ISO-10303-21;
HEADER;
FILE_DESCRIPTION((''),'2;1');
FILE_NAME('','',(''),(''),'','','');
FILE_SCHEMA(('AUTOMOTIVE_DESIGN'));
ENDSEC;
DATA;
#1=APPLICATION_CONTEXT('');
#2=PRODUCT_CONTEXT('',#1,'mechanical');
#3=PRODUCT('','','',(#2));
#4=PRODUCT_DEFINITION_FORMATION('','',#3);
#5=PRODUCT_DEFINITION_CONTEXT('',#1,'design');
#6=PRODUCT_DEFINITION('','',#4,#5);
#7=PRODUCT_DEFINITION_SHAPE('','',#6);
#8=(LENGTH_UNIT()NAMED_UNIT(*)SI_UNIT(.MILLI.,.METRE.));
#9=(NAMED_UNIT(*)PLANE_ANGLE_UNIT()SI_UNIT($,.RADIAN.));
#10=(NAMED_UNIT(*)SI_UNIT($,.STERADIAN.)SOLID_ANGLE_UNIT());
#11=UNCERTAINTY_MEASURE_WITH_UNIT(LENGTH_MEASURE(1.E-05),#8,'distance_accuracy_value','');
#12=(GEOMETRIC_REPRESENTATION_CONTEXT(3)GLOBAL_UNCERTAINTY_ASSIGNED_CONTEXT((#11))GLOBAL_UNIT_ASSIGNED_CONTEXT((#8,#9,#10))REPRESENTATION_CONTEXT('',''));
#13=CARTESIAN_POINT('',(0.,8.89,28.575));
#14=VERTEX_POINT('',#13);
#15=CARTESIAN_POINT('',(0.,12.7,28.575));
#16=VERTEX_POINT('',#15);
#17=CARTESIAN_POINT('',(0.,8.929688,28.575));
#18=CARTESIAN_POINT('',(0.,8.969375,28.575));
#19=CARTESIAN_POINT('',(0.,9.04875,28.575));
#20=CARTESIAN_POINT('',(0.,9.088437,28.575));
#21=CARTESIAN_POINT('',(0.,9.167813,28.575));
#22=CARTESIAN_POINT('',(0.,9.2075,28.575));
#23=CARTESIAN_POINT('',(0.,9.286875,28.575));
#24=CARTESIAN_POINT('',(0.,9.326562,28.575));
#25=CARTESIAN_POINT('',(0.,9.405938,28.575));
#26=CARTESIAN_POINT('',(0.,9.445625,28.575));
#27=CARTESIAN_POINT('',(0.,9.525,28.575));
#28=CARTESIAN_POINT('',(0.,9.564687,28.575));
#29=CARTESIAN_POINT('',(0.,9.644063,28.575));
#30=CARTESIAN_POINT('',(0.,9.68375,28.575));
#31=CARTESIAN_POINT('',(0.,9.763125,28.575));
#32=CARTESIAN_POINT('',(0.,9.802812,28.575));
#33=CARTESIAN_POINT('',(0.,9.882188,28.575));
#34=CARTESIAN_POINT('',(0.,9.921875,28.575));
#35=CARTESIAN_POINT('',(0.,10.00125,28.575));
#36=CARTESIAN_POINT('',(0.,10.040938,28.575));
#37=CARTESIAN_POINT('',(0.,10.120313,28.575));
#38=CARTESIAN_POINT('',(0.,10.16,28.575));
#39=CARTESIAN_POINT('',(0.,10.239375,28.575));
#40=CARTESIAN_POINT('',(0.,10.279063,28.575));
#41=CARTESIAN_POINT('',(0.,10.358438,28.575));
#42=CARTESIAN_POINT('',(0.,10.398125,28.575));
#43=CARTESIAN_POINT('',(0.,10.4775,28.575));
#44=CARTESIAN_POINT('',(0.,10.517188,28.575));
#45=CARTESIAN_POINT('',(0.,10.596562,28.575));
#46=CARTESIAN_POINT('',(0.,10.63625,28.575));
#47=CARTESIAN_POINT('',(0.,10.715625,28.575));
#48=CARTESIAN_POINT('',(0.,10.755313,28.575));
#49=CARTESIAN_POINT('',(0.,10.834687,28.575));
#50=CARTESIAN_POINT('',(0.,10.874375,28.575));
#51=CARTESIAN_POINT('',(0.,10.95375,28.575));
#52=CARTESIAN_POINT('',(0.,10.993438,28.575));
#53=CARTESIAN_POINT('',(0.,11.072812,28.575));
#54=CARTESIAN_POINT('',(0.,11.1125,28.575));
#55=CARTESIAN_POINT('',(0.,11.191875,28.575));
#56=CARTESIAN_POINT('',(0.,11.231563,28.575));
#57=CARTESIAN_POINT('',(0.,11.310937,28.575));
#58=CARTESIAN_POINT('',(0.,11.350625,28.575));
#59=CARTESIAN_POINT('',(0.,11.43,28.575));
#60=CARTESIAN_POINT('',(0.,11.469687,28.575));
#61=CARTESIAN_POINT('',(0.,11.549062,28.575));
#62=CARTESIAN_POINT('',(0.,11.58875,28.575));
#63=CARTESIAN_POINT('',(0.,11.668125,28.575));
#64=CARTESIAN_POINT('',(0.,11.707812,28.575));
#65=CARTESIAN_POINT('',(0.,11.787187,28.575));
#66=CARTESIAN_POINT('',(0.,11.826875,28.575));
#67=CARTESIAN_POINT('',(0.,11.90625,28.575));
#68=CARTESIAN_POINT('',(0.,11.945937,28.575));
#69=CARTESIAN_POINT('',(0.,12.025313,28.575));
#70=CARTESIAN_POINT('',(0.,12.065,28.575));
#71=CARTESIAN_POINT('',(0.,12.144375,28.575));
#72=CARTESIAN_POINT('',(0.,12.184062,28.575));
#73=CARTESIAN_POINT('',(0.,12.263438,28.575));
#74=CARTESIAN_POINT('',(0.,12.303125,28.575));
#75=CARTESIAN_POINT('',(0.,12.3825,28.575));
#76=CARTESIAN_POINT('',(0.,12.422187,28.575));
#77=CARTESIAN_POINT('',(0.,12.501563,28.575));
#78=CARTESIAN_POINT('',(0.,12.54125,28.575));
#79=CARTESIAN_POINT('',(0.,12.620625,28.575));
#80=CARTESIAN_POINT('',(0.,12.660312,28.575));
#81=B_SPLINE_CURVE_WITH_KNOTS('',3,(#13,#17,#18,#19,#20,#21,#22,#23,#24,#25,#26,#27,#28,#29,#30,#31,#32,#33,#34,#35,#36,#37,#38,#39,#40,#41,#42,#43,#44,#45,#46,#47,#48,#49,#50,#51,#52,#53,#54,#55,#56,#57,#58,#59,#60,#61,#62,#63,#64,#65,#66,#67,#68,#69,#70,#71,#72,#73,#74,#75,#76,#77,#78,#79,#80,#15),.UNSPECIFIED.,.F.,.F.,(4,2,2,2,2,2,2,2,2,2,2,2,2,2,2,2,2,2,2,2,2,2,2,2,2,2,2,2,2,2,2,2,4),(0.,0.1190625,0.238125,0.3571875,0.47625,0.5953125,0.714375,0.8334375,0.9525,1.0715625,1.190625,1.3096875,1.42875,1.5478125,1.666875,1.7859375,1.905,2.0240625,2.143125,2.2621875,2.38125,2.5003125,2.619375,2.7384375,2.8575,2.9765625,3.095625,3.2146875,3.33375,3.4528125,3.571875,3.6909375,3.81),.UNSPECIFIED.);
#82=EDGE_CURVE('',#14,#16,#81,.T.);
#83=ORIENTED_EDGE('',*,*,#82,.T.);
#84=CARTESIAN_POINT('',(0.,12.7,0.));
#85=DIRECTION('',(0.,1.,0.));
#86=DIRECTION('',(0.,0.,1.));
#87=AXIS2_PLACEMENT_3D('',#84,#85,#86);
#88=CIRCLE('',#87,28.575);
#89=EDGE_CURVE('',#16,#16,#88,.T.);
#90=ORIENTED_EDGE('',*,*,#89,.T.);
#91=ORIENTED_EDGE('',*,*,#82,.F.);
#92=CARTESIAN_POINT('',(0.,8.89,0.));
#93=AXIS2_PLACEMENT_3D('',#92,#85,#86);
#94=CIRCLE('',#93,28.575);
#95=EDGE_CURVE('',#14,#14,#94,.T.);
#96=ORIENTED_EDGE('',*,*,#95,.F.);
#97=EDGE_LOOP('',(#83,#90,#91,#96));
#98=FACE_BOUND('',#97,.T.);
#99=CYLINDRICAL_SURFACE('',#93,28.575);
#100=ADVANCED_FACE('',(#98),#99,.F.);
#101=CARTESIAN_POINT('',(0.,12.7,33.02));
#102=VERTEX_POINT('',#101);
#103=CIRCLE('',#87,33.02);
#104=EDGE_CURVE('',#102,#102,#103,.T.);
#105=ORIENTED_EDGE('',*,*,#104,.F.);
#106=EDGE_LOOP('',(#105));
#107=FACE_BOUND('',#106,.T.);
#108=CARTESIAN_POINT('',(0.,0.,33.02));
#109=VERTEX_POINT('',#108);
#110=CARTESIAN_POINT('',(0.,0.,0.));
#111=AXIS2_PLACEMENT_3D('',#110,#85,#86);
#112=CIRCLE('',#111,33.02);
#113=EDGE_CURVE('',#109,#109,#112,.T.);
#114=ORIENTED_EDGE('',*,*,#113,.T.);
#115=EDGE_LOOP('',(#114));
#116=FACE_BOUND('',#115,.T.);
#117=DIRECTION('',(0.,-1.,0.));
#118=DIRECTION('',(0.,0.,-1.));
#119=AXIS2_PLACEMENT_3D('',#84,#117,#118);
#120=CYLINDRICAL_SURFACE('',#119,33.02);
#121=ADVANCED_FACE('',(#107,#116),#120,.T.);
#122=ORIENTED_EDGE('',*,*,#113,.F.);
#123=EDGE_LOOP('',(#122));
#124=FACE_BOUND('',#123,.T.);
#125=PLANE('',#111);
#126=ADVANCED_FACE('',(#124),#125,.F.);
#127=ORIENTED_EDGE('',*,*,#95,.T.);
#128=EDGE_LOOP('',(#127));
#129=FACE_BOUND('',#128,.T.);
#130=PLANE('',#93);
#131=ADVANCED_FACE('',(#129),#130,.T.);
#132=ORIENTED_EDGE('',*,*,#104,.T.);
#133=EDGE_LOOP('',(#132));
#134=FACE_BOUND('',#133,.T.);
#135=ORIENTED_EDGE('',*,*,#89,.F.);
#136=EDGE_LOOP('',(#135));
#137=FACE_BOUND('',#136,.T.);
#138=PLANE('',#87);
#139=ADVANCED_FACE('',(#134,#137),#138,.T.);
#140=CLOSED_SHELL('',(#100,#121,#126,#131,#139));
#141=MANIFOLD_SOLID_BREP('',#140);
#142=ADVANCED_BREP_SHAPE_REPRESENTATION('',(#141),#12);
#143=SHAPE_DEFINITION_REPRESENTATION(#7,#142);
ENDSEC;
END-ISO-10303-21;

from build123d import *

# Parameters (mm, degrees)
SKETCH1_R           = 33.02
BOSS_EXTRUDE1_DEPTH = 12.7
SKETCH2_R           = 28.575
CUT_EXTRUDE1_DEPTH  = 3.81


with BuildPart() as part:
    # Sketch1 → Boss-Extrude1 (new body)
    with BuildSketch(Plane(origin=(0, 0, 0), x_dir=(1, 0, 0), z_dir=(0, 1, 0))):
        with Locations(Location((0, 0, 0), (0, 0, 270))):
            Circle(SKETCH1_R)
    extrude(amount=BOSS_EXTRUDE1_DEPTH)

    # Sketch2 → Cut-Extrude1 (cut)
    with BuildSketch(Plane(origin=(0, 12.7, 0), x_dir=(1, 0, 0), z_dir=(0, 1, 0))):
        with Locations(Location((0, 0, 0), (0, 0, 270))):
            Circle(SKETCH2_R)
    extrude(amount=-CUT_EXTRUDE1_DEPTH, mode=Mode.SUBTRACT)


solid = part.part
